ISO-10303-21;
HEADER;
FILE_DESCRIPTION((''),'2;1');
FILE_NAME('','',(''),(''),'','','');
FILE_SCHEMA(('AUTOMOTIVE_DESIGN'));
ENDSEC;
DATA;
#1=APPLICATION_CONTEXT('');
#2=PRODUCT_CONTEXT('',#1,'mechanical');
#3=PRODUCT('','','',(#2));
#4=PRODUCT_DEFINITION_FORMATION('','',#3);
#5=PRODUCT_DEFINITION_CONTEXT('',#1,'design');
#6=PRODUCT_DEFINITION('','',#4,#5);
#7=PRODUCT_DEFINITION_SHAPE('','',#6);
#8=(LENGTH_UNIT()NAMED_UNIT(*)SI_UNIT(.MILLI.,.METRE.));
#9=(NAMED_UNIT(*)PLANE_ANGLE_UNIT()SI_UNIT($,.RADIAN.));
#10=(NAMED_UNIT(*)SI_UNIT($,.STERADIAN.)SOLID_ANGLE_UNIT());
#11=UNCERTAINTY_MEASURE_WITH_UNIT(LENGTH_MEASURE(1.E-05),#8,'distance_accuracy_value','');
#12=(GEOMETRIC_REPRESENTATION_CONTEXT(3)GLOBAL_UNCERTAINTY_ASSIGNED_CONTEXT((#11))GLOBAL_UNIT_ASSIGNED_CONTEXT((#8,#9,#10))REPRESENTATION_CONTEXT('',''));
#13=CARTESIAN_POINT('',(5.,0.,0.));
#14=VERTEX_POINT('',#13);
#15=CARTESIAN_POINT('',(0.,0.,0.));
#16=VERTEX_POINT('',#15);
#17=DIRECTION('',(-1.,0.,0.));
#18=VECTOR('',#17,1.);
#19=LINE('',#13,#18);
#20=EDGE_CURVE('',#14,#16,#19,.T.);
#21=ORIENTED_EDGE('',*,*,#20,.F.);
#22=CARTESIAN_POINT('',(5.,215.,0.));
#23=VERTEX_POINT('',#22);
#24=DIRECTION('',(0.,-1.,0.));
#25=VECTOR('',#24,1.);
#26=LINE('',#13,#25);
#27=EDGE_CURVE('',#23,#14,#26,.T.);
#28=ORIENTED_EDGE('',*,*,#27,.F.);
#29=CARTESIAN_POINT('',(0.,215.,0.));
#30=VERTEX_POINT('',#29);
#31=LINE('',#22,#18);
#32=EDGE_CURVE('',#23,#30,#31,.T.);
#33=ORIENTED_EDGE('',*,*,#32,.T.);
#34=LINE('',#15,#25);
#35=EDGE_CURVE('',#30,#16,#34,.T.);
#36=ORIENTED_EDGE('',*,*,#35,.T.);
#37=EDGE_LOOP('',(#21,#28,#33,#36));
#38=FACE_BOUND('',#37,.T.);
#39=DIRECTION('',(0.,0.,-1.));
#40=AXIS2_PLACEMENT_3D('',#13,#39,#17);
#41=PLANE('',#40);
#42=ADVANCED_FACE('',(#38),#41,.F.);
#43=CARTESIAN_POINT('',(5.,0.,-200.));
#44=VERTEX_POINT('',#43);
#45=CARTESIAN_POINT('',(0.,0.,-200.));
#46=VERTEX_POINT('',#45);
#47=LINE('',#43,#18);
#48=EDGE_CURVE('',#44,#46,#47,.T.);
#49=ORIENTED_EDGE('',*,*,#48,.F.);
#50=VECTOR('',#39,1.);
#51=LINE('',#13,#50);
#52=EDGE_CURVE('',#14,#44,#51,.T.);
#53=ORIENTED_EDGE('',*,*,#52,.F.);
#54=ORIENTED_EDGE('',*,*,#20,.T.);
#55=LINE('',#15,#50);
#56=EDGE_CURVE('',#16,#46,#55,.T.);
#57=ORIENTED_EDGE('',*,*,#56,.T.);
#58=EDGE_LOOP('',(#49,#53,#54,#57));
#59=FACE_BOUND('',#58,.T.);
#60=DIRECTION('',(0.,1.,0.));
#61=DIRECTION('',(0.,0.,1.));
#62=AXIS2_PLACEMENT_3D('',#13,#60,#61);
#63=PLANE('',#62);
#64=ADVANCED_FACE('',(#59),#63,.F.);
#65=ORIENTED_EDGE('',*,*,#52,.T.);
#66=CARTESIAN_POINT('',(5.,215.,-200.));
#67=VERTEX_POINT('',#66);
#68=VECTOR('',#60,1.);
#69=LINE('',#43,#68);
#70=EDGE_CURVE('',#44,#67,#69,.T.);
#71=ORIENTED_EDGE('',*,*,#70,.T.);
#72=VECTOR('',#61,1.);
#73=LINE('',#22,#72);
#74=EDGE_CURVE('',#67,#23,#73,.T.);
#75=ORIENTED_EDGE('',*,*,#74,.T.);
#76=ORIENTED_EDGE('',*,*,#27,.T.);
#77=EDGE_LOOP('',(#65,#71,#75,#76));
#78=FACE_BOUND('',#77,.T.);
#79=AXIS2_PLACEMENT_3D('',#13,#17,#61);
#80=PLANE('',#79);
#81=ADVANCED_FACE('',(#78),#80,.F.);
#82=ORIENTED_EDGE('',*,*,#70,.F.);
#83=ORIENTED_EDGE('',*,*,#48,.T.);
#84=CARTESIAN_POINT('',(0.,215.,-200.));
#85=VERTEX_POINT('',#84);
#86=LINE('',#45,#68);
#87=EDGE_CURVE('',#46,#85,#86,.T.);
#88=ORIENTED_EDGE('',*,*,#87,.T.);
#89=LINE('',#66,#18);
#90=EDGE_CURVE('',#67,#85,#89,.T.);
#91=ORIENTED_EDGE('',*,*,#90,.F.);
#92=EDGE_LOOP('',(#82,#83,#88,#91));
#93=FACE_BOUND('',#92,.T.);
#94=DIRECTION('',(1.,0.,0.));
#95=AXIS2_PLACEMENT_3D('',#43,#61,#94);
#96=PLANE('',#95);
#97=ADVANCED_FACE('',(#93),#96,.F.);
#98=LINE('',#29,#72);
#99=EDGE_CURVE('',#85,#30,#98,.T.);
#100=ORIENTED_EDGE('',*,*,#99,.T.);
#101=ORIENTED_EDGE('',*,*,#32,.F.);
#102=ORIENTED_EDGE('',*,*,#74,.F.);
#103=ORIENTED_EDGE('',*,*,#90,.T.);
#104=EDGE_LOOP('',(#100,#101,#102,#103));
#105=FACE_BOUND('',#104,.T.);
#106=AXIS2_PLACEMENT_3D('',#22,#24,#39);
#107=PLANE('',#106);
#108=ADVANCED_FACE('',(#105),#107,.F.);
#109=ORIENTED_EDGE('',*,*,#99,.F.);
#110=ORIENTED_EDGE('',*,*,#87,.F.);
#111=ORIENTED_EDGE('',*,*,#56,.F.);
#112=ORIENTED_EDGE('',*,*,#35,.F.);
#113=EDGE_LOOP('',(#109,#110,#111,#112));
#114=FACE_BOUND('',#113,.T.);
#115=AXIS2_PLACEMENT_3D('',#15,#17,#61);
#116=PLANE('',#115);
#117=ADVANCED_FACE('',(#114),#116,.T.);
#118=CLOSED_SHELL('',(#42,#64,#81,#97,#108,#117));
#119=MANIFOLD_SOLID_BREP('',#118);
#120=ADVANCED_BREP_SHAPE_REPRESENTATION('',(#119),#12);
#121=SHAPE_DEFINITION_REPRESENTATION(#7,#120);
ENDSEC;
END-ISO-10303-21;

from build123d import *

# Parameters (mm, degrees)
SKETCH_1_W      = 200
SKETCH_1_H      = 215
EXTRUDE_1_DEPTH = 5


with BuildPart() as part:
    # 스케치1 → 보스-돌출1 (new body)
    with BuildSketch(Plane(origin=(0, 0, 0), x_dir=(0, 0, -1), z_dir=(1, 0, 0))):
        with Locations((100, 107.5)):
            Rectangle(SKETCH_1_W, SKETCH_1_H)
    extrude(amount=EXTRUDE_1_DEPTH)


solid = part.part
